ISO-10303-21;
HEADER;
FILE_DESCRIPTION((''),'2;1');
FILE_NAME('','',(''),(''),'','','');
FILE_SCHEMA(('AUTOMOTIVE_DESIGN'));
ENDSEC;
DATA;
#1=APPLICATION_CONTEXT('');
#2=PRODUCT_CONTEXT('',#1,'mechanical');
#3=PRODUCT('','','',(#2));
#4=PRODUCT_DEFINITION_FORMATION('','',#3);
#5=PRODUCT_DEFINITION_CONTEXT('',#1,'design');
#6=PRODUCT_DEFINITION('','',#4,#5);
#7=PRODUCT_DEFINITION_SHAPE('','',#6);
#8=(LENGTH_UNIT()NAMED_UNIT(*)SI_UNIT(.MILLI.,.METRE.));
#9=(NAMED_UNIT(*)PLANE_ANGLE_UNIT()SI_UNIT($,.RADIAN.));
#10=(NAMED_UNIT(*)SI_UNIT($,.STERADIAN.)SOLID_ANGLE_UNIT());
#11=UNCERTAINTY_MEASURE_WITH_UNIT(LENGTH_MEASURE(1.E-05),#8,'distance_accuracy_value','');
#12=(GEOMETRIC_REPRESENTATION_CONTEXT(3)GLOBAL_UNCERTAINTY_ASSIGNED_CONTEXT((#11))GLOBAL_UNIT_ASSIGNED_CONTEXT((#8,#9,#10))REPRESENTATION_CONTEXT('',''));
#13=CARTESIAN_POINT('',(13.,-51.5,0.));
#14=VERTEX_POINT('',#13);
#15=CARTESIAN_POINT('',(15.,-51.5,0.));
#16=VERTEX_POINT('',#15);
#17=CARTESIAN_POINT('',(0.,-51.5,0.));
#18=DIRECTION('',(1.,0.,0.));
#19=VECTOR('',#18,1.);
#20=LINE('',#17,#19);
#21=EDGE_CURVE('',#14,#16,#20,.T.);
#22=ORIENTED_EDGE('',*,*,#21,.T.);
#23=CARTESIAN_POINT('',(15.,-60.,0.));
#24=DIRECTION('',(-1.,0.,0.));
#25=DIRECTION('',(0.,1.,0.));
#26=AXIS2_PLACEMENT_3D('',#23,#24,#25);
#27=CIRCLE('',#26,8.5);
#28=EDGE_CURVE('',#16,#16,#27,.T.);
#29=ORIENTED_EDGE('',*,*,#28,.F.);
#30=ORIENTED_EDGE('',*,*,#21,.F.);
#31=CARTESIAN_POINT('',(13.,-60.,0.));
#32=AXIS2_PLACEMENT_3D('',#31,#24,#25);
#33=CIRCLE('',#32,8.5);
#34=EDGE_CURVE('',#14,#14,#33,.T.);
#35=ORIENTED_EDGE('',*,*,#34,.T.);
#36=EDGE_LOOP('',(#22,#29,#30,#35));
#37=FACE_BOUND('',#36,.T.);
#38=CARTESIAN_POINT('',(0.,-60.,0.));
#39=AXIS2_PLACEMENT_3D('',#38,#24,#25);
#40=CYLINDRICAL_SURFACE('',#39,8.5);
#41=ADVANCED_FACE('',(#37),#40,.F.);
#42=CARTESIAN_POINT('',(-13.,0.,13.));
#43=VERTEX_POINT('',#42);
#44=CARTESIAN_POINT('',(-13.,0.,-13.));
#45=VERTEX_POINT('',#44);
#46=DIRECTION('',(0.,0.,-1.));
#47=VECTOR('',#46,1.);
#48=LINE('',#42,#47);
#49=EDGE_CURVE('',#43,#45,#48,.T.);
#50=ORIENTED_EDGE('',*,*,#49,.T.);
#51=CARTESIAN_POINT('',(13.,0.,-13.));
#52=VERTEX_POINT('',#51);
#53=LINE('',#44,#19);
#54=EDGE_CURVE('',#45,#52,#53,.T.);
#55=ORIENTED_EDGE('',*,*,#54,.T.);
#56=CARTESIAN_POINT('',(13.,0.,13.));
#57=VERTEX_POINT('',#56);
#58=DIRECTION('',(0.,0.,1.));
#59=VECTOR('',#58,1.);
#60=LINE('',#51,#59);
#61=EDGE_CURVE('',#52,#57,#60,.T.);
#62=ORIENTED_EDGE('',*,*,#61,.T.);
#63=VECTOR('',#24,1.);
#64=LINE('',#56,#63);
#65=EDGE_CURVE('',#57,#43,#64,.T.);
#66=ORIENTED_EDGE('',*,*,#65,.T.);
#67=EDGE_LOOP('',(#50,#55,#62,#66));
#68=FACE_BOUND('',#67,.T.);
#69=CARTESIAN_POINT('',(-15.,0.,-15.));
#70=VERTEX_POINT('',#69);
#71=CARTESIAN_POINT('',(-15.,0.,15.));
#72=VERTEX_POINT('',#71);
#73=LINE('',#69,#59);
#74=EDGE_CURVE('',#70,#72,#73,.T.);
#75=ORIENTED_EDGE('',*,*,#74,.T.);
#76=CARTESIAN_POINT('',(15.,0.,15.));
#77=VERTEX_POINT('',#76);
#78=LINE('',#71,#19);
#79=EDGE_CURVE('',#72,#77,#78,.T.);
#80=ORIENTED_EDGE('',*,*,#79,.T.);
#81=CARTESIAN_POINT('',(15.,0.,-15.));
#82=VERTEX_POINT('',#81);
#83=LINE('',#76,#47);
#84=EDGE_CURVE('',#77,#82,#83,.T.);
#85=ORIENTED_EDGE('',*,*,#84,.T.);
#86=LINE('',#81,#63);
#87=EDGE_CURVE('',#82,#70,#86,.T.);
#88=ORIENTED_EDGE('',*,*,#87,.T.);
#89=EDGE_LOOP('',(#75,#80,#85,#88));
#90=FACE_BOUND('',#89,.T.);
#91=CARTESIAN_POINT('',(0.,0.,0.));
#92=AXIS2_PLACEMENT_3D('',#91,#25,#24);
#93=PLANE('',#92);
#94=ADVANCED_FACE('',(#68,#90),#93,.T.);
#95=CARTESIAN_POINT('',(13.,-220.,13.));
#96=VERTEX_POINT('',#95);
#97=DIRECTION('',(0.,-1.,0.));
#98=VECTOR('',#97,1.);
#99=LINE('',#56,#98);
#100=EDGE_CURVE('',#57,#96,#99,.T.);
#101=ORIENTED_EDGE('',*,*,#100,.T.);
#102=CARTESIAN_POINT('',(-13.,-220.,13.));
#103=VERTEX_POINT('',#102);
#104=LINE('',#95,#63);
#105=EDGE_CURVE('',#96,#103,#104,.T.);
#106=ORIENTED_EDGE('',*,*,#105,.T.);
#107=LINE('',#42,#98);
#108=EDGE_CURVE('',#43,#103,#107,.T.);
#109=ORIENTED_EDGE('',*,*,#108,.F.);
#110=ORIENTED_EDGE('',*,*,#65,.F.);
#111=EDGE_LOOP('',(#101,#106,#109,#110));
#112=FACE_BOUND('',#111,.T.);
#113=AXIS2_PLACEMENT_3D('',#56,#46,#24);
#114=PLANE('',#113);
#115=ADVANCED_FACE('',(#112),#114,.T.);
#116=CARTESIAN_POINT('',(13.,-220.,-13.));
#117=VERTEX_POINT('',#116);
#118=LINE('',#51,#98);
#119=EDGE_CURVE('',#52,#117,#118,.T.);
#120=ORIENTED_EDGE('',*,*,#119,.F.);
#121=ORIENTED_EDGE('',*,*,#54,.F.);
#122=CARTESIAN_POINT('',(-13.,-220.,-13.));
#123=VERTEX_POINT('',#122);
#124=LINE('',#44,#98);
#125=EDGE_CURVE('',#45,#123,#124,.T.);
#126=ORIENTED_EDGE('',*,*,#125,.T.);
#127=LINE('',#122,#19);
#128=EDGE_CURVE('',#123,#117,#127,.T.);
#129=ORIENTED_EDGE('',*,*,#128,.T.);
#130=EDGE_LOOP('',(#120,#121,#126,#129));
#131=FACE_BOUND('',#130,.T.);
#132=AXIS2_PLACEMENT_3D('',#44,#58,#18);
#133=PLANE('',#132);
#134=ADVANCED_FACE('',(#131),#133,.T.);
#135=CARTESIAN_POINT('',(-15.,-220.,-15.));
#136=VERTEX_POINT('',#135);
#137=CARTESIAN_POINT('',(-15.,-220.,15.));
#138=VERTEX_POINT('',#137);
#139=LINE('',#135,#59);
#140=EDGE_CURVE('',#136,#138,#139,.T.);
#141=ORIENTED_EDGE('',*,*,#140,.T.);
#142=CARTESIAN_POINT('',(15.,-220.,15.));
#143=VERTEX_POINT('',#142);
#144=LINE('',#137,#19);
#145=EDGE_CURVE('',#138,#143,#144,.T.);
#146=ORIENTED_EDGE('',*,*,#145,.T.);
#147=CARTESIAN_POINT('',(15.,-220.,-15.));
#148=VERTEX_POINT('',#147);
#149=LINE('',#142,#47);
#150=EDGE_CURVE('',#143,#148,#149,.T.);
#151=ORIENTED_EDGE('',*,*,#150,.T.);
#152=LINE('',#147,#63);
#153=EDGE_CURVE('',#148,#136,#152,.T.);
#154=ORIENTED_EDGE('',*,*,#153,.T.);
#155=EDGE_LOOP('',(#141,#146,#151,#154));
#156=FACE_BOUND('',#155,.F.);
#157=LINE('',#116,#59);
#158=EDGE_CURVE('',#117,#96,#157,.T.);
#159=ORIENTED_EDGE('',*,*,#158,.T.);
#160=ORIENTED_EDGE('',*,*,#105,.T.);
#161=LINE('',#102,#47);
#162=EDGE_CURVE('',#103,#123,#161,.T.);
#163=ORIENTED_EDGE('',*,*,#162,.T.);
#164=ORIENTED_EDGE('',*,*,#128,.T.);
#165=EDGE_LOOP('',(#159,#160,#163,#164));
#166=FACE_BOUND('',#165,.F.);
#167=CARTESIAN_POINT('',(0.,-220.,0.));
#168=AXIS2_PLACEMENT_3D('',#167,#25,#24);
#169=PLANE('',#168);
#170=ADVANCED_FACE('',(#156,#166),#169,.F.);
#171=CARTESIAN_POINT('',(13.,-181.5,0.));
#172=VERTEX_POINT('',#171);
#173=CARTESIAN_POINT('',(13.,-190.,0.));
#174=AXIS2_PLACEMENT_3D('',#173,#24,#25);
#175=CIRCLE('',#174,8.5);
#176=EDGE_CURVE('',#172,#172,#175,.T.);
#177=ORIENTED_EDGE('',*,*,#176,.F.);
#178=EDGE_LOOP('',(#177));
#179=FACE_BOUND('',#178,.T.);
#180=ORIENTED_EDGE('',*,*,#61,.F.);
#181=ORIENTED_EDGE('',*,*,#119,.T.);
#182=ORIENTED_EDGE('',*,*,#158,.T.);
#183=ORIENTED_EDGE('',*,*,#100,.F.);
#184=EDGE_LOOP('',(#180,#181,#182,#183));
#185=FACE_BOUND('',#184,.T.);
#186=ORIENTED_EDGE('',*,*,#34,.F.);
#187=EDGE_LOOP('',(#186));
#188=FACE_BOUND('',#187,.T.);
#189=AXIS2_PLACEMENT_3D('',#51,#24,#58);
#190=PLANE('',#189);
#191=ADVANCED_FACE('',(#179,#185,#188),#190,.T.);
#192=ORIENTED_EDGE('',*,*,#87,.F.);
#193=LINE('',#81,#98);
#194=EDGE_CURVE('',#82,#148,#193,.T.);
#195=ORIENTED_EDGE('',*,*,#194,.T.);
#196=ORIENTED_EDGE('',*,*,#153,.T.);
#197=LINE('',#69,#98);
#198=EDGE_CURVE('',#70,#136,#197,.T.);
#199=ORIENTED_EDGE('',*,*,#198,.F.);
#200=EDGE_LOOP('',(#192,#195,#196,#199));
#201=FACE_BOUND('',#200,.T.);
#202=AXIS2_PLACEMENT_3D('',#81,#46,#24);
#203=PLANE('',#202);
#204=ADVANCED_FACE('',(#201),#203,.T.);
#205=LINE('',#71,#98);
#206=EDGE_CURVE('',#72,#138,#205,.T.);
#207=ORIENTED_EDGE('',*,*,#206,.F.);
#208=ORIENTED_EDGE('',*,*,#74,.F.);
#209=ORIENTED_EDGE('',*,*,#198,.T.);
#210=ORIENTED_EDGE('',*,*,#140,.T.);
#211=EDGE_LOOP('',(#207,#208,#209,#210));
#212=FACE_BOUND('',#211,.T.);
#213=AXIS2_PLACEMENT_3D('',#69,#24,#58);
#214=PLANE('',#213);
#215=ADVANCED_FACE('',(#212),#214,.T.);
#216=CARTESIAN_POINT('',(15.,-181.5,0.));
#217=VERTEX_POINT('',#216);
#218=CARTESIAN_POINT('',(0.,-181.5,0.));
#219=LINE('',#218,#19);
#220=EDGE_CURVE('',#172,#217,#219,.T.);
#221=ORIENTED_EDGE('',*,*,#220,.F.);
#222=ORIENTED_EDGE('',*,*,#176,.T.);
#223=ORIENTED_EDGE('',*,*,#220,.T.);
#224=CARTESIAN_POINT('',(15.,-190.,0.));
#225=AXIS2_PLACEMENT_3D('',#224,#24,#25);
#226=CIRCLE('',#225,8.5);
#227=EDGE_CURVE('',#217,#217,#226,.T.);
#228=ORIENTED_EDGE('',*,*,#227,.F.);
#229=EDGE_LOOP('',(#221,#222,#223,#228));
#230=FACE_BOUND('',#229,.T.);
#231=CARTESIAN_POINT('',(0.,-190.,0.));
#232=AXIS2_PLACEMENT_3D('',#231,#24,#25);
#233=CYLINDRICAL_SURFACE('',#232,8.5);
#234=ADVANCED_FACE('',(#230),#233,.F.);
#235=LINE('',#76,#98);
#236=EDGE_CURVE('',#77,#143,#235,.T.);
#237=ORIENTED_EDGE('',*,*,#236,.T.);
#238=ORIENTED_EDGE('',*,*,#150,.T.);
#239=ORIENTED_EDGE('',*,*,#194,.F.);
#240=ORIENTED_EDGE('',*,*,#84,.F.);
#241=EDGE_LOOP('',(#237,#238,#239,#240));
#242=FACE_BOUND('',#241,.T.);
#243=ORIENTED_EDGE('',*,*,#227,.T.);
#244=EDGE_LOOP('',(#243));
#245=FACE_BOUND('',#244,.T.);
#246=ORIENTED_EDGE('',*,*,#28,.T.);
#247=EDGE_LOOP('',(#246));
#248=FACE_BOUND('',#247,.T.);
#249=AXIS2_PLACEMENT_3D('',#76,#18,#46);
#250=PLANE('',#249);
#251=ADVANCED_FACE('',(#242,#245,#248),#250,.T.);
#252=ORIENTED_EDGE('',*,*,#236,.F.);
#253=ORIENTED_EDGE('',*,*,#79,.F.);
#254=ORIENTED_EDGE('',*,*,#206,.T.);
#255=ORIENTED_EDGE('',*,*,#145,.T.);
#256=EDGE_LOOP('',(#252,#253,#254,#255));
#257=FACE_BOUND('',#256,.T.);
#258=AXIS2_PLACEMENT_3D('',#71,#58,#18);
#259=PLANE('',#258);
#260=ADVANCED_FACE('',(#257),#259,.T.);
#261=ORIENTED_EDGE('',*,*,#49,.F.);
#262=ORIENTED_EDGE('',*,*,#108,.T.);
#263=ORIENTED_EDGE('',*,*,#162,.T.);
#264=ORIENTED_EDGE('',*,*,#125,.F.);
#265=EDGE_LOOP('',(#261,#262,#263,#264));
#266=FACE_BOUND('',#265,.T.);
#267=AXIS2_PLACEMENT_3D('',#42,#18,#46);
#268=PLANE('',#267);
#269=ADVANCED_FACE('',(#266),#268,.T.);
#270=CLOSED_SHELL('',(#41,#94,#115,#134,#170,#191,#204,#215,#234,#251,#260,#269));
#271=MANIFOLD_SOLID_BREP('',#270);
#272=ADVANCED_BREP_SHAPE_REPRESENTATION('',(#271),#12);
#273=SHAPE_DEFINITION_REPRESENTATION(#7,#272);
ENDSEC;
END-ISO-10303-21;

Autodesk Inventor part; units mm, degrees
ref_plane "YZ Plane" through (0, 0, 0) normal (1, 0, 0) x (0, 1, 0)
ref_plane "XZ Plane" through (0, 0, 0) normal (0, 1, 0) x (-1, 0, 0)
ref_plane "XY Plane" through (0, 0, 0) normal (0, 0, 1) x (1, 0, 0)
sketch "Sketch9" plane through (0, 0, 0) normal (0, 1, 0) x (-1, 0, 0)
  line L0 (15, 15) -> (-15, 15)
  line L1 (-15, 15) -> (-15, -15)
  line L2 (-15, -15) -> (15, -15)
  line L3 (15, -15) -> (15, 15)
  line L4 (15, 15) -> (-15, -15) construction
  line L5 (-15, 15) -> (15, -15) construction
  line L6 (-13, 13) -> (13, 13)
  line L7 (13, 13) -> (13, -13)
  line L8 (13, -13) -> (-13, -13)
  line L9 (-13, -13) -> (-13, 13)
  point P0 (0, 0)
  dimension "d172" = 30
  dimension "d173" = 30
  dimension "d174" = 2
extrude "Extrusion3" add sketch "Sketch9" against normal blind 220
sketch "Sketch10" plane through (0, 0, 0) normal (1, 0, 0) x (0, 1, 0)
  line L0 (0, 15) -> (0, -15) construction
  line L1 (0, 15) -> (-220, 15) construction
  line L2 (-220, -15) -> (-220, 15) construction
  line L3 (0, -15) -> (-220, -15) construction
  line L4 (-68.5, 8.5) -> (-51.5, 8.5)
  line L5 (-51.5, 8.5) -> (-51.5, -8.5)
  line L6 (-51.5, -8.5) -> (-68.5, -8.5)
  line L7 (-68.5, -8.5) -> (-68.5, 8.5)
  line L8 (-68.5, 8.5) -> (-51.5, -8.5) construction
  line L9 (-51.5, 8.5) -> (-68.5, -8.5) construction
  line L10 (-198.5, 8.5) -> (-181.5, 8.5)
  line L11 (-181.5, 8.5) -> (-181.5, -8.5)
  line L12 (-181.5, -8.5) -> (-198.5, -8.5)
  line L13 (-198.5, -8.5) -> (-198.5, 8.5)
  line L14 (-198.5, 8.5) -> (-181.5, -8.5) construction
  line L15 (-181.5, 8.5) -> (-198.5, -8.5) construction
  line L16 (-428.5, 8.5) -> (-411.5, 8.5)
  line L17 (-411.5, 8.5) -> (-411.5, -8.5)
  line L18 (-411.5, -8.5) -> (-428.5, -8.5)
  line L19 (-428.5, -8.5) -> (-428.5, 8.5)
  line L20 (-428.5, 8.5) -> (-411.5, -8.5) construction
  line L21 (-411.5, 8.5) -> (-428.5, -8.5) construction
  circle A0 centre (-470, 0) radius 8.5
  line L22 (0, 0) -> (30, 0)
  circle A1 centre (-60, 0) radius 8.5
  circle A2 centre (-190, 0) radius 8.5
  circle A3 centre (-420, 0) radius 8.5
  dimension "d177" = 17
  dimension "d178" = 17
  dimension "d181" = 30
  dimension "d182" = 90
  dimension "d183" = 220
  dimension "d184" = 450
  dimension "d185" = 500
  dimension "d186" = 17
extrude "Extrusion4" cut sketch "Sketch10" along normal through all contours A1 | A2
properties part number "SLM 1663 FDS 1200 way tube 3" material "Stainless Steel"
